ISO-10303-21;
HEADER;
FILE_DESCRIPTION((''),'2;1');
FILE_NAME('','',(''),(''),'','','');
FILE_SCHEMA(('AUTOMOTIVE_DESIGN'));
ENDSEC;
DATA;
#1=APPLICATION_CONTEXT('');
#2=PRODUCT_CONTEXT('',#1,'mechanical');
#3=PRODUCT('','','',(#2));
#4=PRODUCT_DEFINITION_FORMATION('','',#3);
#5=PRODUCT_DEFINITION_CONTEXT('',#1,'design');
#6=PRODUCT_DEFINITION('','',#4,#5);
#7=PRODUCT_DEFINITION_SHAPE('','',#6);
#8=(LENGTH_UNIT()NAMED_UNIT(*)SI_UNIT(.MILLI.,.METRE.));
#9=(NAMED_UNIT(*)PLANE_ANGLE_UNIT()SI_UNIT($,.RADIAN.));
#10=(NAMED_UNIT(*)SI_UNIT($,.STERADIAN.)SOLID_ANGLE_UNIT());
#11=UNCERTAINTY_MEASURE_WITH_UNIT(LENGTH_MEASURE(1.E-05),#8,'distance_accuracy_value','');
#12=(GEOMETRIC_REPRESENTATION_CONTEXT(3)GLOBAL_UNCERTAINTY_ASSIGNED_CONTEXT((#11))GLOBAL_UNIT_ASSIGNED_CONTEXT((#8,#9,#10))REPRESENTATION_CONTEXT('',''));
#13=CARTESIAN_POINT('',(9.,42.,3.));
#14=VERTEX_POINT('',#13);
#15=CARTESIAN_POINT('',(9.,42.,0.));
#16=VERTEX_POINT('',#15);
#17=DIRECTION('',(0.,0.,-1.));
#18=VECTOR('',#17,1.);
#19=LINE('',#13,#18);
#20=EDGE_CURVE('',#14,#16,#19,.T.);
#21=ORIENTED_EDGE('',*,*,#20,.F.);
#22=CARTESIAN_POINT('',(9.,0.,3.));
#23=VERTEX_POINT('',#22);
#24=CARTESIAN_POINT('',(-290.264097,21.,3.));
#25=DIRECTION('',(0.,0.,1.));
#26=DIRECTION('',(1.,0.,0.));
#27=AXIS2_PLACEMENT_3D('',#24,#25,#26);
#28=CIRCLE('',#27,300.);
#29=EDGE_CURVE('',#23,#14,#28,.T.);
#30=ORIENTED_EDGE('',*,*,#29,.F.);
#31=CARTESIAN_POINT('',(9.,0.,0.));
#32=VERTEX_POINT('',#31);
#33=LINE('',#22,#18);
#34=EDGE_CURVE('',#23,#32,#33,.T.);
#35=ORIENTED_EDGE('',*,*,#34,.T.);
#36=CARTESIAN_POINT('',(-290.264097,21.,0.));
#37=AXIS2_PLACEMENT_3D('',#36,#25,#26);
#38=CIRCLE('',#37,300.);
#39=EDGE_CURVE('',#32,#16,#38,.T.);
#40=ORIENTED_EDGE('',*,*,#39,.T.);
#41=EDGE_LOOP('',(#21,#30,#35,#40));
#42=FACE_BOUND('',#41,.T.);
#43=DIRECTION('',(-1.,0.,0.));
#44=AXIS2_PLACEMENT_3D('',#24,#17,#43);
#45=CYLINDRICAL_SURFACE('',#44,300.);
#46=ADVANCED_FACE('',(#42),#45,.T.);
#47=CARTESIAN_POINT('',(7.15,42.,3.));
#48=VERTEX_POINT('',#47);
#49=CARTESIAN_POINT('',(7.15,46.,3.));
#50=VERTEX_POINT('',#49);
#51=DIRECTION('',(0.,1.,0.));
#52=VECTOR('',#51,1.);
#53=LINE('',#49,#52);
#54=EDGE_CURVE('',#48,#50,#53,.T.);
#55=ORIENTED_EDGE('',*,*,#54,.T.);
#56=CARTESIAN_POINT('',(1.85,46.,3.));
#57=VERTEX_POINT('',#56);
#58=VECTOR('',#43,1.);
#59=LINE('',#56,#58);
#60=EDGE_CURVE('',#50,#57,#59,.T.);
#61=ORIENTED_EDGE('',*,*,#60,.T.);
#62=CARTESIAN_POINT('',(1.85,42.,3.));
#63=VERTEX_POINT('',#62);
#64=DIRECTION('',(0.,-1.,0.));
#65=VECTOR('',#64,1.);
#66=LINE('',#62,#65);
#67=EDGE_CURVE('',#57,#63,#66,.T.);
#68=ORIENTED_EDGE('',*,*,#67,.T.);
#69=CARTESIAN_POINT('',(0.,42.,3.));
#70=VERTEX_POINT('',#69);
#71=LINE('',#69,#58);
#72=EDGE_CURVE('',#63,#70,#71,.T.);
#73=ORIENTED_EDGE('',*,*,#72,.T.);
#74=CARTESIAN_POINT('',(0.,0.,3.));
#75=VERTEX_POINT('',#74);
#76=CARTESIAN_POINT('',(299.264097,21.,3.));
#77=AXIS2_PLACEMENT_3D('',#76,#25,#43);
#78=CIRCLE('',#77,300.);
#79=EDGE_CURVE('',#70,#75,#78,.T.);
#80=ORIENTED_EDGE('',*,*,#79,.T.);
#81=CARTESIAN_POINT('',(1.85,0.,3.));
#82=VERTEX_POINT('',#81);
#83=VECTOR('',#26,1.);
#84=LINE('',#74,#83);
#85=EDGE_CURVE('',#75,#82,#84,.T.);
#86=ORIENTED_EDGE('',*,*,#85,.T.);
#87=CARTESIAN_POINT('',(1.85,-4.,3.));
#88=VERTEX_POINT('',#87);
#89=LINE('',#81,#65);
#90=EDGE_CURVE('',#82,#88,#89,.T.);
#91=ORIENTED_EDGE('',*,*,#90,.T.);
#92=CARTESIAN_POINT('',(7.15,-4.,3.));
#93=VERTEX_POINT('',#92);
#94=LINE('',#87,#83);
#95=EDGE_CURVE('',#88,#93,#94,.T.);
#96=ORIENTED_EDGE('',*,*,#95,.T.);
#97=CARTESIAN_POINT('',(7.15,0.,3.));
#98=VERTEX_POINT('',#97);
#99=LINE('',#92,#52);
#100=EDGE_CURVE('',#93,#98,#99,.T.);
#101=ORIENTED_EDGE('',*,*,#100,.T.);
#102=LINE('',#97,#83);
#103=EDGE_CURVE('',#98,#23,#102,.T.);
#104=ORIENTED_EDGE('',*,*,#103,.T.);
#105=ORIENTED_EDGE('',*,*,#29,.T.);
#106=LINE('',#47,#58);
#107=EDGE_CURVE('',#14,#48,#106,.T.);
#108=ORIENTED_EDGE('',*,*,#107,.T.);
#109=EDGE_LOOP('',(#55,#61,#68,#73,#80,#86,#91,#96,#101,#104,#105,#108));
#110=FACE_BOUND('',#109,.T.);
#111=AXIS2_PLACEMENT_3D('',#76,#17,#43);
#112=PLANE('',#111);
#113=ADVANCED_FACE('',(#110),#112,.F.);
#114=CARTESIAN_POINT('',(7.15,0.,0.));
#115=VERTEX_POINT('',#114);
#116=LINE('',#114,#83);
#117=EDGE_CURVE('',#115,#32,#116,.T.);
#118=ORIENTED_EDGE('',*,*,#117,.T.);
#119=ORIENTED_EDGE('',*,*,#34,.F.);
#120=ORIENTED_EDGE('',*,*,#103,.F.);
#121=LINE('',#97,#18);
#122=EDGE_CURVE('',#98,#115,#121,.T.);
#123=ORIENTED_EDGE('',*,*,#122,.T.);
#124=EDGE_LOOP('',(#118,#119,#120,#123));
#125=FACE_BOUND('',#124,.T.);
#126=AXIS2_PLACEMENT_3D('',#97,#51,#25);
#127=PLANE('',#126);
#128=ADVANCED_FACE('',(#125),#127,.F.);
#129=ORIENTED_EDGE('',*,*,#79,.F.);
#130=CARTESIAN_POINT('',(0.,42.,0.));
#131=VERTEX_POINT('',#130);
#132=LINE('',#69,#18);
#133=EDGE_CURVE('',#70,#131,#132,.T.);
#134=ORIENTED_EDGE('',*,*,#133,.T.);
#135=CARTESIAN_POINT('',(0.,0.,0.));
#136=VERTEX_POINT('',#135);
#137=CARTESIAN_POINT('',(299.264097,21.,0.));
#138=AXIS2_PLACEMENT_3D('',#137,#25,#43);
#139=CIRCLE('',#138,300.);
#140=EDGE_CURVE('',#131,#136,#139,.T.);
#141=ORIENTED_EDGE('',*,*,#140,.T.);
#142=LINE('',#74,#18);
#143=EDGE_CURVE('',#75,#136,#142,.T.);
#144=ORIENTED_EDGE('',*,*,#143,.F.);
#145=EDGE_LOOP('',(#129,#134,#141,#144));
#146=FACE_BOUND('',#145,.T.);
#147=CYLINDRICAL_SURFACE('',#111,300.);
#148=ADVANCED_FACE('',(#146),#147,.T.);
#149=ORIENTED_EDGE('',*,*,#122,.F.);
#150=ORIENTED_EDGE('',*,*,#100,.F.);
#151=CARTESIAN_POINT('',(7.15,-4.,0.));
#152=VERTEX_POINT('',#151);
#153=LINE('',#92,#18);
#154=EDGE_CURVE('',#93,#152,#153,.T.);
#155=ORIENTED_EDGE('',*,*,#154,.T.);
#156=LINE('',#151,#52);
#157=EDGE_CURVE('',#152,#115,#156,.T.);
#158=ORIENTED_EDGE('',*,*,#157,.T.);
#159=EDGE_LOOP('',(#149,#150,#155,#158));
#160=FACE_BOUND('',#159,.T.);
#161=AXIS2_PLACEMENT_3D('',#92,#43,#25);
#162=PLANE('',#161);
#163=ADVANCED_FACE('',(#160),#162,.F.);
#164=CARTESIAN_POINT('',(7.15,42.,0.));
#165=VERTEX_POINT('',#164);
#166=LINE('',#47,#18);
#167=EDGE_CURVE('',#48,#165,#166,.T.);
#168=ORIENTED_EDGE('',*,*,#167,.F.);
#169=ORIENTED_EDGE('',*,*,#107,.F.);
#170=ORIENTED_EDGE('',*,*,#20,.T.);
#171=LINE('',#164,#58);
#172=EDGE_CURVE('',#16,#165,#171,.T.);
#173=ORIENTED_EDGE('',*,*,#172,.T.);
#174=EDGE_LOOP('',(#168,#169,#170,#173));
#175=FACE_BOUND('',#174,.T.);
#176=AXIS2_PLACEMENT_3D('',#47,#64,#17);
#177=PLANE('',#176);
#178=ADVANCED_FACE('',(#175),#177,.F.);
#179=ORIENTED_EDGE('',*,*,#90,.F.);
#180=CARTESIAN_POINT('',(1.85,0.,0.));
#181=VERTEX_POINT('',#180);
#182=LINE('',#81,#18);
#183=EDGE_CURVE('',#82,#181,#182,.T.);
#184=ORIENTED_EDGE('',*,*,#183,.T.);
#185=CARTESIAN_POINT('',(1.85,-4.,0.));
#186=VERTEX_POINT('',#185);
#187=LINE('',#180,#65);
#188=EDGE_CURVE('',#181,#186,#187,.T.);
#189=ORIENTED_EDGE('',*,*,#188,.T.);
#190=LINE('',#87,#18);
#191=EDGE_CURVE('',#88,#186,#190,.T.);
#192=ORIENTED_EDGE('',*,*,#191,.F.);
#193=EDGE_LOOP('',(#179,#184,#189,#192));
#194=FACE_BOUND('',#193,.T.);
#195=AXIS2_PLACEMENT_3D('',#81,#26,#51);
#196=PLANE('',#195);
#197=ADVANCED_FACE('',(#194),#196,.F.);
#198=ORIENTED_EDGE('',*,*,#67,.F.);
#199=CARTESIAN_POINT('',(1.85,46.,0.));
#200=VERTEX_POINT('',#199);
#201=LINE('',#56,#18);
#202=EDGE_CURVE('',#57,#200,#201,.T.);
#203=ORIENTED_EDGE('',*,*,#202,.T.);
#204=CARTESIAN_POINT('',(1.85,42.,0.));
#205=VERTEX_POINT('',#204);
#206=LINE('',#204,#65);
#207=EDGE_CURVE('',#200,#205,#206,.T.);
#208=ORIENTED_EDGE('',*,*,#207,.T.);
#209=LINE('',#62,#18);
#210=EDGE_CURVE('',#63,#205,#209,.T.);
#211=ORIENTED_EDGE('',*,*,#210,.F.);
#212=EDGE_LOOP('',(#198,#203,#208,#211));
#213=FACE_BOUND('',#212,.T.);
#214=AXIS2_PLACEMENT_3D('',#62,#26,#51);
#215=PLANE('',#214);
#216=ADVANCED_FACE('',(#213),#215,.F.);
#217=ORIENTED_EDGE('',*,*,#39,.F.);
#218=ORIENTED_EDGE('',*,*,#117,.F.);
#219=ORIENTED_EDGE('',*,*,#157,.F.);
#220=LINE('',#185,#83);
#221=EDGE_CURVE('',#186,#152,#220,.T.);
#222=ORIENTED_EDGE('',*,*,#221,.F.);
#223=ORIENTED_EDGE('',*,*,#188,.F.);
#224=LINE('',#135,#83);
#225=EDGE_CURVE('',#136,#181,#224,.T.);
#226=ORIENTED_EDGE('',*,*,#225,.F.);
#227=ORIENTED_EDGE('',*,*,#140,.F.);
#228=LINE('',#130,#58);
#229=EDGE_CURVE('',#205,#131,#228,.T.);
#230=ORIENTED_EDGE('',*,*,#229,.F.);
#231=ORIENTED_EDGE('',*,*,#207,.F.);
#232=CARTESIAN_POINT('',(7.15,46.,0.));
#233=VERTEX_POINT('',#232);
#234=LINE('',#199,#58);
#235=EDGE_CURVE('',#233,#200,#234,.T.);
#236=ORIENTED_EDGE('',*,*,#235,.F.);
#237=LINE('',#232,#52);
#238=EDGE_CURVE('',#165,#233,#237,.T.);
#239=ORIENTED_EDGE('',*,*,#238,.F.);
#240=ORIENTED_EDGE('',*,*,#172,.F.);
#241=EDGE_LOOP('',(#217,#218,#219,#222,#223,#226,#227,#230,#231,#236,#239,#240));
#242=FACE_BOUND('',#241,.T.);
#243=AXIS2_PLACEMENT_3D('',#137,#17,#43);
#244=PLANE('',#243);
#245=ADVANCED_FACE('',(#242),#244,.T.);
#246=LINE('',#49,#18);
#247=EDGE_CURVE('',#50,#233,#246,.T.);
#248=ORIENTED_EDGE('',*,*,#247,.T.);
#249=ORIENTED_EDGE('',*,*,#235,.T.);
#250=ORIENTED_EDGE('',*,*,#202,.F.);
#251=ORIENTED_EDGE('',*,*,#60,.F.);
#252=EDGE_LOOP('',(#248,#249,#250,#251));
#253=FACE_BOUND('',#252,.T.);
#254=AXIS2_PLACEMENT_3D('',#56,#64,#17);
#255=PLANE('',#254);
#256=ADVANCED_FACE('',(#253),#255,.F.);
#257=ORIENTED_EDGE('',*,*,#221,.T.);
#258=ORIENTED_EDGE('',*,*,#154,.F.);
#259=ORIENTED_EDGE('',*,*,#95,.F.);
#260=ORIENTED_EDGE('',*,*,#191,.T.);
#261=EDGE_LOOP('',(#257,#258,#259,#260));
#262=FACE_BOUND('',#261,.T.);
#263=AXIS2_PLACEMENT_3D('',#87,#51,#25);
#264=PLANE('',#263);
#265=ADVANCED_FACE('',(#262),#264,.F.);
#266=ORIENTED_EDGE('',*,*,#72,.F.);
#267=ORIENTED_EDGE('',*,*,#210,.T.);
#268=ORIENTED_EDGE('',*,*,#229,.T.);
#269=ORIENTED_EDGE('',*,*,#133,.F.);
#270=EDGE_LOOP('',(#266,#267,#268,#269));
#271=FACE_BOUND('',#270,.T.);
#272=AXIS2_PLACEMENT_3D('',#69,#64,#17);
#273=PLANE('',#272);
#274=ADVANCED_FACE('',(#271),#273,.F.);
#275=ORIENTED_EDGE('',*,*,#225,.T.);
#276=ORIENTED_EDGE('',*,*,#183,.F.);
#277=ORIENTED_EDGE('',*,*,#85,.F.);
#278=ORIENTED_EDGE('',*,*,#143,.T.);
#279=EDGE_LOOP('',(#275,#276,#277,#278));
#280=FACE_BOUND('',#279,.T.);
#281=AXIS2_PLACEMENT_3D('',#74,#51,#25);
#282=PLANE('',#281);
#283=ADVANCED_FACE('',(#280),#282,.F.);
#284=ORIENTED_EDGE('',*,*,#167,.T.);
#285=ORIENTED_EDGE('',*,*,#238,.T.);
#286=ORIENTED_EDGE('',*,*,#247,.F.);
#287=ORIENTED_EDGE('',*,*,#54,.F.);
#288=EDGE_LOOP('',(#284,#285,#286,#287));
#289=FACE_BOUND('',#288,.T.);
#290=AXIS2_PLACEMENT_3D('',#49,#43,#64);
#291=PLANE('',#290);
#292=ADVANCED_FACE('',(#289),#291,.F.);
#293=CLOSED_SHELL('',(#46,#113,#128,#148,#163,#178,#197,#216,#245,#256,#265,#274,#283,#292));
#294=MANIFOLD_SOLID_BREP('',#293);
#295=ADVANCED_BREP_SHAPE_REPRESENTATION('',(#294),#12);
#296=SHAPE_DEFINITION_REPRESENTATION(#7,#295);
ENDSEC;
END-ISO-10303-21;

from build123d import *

# Parameters (mm, degrees)
SALIENTE_EXTRUIR1_DEPTH = 3


with BuildPart() as part:
    # Croquis1 → Saliente-Extruir1 (new body)
    with BuildSketch(Plane.XY):
        with BuildLine():
            Line((0, 0), (1.85, 0))
            Line((1.85, 0), (1.85, -4))
            Line((1.85, -4), (7.15, -4))
            Line((7.15, -4), (7.15, 0))
            Line((7.15, 0), (9, 0))
            ThreePointArc((9, 0), (9.735902588, 21), (9, 42))
            Line((9, 42), (7.15, 42))
            Line((7.15, 42), (7.15, 46))
            Line((7.15, 46), (1.85, 46))
            Line((1.85, 46), (1.85, 42))
            Line((1.85, 42), (0, 42))
            ThreePointArc((0, 42), (-0.735902588, 21), (0, 0))
        make_face()
    extrude(amount=SALIENTE_EXTRUIR1_DEPTH)


solid = part.part
